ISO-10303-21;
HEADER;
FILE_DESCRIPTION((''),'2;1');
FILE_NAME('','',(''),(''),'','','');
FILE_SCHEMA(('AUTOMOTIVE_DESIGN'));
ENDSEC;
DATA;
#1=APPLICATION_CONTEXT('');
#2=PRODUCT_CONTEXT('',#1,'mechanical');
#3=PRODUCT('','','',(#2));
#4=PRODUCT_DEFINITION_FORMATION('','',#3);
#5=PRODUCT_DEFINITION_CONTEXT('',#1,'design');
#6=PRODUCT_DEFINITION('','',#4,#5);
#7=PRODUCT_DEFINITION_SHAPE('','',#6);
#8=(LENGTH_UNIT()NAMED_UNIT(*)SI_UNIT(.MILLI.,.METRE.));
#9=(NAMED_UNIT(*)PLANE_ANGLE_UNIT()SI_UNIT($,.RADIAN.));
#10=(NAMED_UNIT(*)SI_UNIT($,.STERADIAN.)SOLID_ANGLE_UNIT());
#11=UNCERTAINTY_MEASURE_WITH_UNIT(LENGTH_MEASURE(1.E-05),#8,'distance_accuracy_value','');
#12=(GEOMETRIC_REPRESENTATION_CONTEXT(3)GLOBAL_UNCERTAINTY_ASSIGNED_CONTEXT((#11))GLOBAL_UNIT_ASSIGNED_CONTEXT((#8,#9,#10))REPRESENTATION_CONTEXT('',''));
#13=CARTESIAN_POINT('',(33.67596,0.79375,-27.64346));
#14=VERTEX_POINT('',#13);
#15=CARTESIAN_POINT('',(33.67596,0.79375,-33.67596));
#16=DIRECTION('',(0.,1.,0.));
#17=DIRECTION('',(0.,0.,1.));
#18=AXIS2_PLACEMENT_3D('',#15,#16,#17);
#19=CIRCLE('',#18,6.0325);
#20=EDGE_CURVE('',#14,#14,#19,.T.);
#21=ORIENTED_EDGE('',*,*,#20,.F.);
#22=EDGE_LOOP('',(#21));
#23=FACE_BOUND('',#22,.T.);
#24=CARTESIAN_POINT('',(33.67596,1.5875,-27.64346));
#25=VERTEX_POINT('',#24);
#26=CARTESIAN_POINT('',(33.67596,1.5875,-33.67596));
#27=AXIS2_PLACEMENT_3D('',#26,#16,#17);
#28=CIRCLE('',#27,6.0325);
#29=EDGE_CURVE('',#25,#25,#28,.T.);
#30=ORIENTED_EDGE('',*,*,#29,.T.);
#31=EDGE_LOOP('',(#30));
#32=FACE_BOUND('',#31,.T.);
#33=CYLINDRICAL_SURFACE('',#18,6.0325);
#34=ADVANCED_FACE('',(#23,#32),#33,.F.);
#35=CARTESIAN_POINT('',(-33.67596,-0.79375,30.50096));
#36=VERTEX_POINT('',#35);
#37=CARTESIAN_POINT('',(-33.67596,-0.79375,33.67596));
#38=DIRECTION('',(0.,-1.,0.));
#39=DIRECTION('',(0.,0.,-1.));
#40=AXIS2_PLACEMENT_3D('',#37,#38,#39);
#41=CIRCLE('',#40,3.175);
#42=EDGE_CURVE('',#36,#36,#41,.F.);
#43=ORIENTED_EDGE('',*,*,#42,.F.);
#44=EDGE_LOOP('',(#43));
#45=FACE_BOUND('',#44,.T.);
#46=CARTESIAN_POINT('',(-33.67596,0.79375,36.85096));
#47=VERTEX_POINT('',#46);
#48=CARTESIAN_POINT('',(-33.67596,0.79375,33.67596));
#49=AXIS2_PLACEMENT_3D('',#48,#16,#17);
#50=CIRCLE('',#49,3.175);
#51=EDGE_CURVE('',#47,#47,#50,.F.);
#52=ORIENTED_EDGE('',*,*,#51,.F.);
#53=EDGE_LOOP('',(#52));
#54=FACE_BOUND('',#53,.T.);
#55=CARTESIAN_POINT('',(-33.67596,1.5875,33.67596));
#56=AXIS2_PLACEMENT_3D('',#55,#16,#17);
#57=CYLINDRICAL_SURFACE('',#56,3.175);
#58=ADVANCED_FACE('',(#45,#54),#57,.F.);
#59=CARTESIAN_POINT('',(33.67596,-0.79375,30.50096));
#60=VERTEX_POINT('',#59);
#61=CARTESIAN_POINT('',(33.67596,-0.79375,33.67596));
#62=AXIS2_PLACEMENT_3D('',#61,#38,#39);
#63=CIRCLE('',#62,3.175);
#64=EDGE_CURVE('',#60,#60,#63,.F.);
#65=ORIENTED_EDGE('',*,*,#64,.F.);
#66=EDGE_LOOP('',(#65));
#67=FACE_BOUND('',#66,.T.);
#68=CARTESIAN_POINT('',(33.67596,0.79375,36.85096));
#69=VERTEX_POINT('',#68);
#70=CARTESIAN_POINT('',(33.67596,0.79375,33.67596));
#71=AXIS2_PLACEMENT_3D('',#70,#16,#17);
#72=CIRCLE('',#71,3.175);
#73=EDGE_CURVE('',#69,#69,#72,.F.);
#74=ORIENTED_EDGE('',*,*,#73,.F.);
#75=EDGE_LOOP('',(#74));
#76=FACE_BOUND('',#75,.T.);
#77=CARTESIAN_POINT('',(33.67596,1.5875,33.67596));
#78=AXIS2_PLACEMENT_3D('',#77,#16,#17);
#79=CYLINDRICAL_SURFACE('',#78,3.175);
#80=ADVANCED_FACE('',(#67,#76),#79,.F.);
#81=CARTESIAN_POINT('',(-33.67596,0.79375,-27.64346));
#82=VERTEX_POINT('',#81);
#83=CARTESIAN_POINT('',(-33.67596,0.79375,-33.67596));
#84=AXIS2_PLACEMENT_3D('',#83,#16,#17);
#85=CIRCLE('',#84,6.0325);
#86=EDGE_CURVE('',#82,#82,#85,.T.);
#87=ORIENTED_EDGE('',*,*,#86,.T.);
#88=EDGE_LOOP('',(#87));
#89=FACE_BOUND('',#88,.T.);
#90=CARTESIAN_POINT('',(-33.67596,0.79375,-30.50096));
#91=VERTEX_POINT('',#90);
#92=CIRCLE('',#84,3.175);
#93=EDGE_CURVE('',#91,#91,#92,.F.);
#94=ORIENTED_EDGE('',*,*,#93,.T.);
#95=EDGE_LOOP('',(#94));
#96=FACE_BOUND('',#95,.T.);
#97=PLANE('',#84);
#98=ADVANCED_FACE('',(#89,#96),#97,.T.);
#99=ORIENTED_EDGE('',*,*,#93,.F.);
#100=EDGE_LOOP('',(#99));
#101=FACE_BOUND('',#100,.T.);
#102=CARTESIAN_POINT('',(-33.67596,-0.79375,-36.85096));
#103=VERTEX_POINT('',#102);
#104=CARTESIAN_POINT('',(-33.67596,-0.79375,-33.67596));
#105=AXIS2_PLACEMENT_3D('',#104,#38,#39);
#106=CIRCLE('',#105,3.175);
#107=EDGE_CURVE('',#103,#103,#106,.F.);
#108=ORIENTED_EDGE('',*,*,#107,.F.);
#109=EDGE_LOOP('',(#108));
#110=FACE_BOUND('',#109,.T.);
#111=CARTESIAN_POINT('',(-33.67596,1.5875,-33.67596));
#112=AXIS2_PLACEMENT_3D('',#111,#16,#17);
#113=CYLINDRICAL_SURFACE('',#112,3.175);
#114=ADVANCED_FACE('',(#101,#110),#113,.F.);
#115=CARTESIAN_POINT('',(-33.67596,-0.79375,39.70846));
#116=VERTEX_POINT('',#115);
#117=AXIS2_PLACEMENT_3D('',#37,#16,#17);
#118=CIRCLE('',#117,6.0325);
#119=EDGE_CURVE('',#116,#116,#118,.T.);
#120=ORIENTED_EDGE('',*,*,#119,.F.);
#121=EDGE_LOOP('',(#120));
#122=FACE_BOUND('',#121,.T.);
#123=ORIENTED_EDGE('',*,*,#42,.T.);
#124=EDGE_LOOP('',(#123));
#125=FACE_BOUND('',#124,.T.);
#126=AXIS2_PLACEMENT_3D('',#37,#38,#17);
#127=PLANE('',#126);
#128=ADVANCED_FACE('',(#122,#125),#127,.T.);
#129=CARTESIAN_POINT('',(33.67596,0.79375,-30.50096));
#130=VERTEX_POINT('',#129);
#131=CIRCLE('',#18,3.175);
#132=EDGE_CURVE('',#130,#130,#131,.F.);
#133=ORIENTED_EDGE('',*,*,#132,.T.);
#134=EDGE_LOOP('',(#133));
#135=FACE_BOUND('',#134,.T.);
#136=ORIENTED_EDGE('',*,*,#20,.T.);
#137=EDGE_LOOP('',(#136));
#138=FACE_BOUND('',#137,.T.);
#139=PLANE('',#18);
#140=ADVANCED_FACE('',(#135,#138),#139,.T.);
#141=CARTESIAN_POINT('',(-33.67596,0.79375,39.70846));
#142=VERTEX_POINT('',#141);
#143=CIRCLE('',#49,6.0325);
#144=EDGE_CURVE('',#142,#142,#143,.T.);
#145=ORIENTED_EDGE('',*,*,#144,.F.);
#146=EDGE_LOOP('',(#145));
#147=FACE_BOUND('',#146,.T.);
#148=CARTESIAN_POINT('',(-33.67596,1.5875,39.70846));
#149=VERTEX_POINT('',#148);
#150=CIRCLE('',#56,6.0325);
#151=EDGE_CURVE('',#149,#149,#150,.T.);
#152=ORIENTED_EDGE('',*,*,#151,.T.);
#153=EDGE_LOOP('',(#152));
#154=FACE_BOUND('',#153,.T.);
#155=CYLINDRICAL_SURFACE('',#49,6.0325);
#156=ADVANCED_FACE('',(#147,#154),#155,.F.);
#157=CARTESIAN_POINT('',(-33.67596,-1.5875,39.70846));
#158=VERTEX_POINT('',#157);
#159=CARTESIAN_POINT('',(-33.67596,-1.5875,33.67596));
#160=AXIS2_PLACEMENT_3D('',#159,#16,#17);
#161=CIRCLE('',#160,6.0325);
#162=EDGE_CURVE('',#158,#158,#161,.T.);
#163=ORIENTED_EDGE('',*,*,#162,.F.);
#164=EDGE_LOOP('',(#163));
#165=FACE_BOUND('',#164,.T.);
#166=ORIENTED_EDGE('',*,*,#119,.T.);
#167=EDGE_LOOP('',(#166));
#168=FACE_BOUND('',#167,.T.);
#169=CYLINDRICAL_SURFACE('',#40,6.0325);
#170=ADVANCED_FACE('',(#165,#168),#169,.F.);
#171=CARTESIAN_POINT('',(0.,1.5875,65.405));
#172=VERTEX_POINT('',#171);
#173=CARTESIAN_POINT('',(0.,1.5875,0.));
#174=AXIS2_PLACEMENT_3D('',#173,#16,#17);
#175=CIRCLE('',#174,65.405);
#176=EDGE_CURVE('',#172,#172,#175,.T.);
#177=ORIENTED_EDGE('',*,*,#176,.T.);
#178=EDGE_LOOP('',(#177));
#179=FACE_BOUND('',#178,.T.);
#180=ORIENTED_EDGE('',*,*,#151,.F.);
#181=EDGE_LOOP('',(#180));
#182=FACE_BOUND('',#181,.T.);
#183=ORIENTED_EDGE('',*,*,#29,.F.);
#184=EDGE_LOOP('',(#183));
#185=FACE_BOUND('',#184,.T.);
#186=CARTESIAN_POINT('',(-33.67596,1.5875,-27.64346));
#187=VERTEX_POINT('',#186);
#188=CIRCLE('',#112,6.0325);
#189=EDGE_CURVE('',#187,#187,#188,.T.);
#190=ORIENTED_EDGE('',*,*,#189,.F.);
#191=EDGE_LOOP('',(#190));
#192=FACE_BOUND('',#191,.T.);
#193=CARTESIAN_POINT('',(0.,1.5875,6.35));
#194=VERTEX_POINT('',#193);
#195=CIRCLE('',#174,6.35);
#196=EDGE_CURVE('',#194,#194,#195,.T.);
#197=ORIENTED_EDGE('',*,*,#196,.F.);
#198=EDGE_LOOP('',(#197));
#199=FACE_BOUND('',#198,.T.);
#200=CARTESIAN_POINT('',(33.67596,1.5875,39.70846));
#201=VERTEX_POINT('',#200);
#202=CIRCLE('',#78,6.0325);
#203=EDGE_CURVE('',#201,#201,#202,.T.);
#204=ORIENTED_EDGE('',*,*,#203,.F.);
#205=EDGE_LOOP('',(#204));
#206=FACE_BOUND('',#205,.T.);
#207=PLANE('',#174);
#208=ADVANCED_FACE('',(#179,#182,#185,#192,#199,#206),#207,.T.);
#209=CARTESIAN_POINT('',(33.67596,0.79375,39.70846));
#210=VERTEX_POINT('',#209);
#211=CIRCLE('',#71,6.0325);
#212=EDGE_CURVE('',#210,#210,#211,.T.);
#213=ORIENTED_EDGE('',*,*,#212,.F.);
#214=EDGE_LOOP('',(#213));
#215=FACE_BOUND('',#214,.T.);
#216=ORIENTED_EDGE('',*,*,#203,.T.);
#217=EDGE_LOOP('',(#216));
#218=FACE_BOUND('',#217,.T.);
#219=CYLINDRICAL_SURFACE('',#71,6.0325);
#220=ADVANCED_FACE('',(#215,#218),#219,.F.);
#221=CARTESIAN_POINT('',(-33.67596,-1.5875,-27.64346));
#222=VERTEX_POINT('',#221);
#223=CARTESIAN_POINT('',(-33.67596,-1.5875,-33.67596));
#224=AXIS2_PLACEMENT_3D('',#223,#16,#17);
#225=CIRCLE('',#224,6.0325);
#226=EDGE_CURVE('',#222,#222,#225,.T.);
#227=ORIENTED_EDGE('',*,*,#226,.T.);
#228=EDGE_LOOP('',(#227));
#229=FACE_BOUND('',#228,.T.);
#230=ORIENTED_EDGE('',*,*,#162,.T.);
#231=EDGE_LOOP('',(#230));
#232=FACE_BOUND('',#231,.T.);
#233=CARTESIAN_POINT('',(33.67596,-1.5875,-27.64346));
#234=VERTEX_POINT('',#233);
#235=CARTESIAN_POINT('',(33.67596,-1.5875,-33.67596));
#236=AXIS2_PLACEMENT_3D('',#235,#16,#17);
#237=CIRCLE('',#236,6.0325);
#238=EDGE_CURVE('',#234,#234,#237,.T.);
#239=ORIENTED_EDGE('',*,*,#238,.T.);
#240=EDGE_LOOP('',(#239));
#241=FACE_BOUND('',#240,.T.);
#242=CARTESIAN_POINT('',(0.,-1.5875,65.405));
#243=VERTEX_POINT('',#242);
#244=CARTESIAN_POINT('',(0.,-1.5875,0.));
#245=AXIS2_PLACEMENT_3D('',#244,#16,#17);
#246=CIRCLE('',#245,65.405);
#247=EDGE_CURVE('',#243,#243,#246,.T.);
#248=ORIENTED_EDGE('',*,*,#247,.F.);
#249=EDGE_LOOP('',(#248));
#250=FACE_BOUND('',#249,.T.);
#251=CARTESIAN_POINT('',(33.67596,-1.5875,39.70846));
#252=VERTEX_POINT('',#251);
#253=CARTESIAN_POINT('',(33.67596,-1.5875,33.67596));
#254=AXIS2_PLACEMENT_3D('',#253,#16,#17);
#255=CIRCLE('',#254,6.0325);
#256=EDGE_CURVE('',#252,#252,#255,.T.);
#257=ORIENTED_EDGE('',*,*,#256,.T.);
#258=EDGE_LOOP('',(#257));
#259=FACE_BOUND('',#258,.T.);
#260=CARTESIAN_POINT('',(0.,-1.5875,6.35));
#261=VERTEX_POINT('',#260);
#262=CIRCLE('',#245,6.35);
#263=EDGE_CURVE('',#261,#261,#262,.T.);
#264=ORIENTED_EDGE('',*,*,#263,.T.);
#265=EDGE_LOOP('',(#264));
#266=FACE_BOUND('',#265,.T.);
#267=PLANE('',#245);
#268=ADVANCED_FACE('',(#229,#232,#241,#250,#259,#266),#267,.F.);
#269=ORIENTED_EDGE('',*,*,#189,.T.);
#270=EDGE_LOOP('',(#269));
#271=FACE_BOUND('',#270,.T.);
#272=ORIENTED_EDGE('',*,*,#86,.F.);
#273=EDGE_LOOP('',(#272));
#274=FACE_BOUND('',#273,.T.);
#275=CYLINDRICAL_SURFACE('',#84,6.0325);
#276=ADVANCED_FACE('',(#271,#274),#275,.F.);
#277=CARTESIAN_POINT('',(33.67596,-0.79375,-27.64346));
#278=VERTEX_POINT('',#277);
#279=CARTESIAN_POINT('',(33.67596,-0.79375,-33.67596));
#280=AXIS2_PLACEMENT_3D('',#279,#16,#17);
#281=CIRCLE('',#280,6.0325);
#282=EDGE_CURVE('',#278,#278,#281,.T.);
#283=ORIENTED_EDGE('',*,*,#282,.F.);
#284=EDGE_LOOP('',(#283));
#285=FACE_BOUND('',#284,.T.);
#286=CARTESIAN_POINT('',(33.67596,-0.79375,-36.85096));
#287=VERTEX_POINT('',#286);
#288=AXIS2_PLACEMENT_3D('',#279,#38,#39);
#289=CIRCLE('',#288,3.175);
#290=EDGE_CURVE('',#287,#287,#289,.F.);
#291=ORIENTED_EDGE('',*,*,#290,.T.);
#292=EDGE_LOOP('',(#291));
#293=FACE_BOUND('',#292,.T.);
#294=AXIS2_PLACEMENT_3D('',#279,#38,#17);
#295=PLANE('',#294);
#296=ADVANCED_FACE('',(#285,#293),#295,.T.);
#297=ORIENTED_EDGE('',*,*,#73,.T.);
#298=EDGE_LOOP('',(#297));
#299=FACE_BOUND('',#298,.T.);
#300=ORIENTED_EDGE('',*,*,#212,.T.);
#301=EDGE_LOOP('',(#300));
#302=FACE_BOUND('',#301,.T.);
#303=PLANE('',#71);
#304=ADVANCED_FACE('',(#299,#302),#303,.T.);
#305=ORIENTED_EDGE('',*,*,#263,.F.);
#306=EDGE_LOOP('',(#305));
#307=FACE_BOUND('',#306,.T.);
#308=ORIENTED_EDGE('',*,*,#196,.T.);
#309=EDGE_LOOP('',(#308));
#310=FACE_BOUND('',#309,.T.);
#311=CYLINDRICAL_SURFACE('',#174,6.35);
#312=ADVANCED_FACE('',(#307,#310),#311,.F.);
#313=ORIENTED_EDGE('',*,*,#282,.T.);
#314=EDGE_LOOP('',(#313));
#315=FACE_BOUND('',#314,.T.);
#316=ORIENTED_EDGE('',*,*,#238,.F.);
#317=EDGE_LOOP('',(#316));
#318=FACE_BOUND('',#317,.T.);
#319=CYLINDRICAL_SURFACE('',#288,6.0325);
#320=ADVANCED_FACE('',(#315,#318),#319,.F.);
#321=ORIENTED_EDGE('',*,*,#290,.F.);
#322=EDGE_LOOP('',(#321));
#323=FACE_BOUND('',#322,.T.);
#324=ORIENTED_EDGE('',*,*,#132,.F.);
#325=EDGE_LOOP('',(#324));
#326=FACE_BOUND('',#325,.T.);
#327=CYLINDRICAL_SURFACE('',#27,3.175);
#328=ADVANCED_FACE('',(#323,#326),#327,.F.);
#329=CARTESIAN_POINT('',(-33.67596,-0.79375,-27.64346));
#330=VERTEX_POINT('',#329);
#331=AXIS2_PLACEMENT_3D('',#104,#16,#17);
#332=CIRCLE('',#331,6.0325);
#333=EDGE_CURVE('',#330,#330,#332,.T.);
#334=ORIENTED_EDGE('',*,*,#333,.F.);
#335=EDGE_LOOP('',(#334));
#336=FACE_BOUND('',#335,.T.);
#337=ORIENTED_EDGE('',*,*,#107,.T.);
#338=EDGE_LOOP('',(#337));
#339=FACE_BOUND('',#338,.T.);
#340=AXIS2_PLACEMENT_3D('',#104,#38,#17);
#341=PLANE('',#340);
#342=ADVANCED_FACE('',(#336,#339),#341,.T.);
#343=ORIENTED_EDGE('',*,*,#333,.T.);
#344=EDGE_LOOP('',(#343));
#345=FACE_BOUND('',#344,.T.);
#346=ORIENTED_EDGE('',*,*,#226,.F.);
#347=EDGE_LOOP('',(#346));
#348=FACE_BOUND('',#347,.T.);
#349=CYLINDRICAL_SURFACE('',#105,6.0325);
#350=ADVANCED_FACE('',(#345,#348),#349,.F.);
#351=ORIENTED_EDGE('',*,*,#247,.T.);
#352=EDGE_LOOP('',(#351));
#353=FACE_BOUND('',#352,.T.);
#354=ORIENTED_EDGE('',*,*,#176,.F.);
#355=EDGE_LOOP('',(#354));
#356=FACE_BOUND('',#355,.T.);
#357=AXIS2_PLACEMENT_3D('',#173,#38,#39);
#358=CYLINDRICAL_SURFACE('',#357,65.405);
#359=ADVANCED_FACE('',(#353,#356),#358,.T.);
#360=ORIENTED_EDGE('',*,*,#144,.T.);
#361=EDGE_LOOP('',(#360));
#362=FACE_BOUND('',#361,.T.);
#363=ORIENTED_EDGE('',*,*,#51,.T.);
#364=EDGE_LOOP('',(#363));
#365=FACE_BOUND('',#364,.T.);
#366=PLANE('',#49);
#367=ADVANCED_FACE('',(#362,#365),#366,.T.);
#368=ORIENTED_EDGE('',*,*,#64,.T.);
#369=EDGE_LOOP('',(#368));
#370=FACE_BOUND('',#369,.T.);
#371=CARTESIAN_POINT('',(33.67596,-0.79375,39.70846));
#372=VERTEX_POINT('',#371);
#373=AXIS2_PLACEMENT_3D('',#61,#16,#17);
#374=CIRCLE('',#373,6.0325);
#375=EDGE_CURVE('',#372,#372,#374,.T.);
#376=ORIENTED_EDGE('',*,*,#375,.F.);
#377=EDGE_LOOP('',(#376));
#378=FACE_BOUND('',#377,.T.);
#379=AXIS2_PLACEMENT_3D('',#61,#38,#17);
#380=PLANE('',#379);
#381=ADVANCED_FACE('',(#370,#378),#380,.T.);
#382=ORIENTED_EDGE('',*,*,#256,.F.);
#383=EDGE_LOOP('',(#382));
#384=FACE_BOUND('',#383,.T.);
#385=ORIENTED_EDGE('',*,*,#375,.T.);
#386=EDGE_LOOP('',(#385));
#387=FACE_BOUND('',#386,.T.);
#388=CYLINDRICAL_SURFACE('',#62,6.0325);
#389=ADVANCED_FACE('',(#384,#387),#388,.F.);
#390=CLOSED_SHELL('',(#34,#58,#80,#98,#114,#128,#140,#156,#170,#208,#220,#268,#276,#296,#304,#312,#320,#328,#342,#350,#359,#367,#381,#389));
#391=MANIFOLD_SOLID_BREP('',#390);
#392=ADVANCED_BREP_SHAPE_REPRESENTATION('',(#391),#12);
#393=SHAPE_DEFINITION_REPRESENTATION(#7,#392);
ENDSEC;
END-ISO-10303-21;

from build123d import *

# Parameters (mm, degrees)
SKETCH2_R                   = 65.405
BOSS_EXTRUDE1_DEPTH         = 1.5875
F_1_4_0_25_DIAMETER_HOLE1_D = 6.35
F_1_2_0_5_DIAMETER_HOLE1_D  = 12.7
SKETCH10_R                  = 6.0325
CUT_EXTRUDE1_DEPTH          = 0.79375


with BuildPart() as part:
    # Sketch2 → Boss-Extrude1 (new body, symmetric)
    with BuildSketch(Plane(origin=(0, 0, 0), x_dir=(1, 0, 0), z_dir=(0, 1, 0))):
        Circle(SKETCH2_R)
    extrude(amount=BOSS_EXTRUDE1_DEPTH, both=True)

    # 1/4 (0.25) Diameter Hole1 (through all)
    with Locations(Plane(origin=(0, 1.5875, 0), x_dir=(1, 0, 0), z_dir=(0, 1, 0))):
        with Locations((-33.675960454, -33.675960454), (-33.675960454, 33.675960454), (33.675960454, 33.675960454), (33.675960454, -33.675960454)):
            Hole(F_1_4_0_25_DIAMETER_HOLE1_D / 2)

    # 1/2 (0.5) Diameter Hole1 (through all)
    with Locations(Plane(origin=(0, 1.5875, 0), x_dir=(1, 0, 0), z_dir=(0, 1, 0))):
        with Locations((0, 0)):
            Hole(F_1_2_0_5_DIAMETER_HOLE1_D / 2)

    # Sketch10 → Cut-Extrude1 (cut)
    with BuildSketch(Plane(origin=(0, 1.5875, 0), x_dir=(1, 0, 0), z_dir=(0, 1, 0))):
        with Locations((-33.675960454, 33.675960454)):
            Circle(SKETCH10_R)
        with Locations((33.675960454, 33.675960454)):
            Circle(SKETCH10_R)
        with Locations((33.675960454, -33.675960454)):
            Circle(SKETCH10_R)
        with Locations((-33.675960454, -33.675960454)):
            Circle(SKETCH10_R)
    cut_extrude1 = extrude(amount=-CUT_EXTRUDE1_DEPTH, mode=Mode.SUBTRACT)

    # Mirror1: Cut-Extrude1 across plane
    add(cut_extrude1.mirror(Plane.ZX), mode=Mode.SUBTRACT)


solid = part.part
